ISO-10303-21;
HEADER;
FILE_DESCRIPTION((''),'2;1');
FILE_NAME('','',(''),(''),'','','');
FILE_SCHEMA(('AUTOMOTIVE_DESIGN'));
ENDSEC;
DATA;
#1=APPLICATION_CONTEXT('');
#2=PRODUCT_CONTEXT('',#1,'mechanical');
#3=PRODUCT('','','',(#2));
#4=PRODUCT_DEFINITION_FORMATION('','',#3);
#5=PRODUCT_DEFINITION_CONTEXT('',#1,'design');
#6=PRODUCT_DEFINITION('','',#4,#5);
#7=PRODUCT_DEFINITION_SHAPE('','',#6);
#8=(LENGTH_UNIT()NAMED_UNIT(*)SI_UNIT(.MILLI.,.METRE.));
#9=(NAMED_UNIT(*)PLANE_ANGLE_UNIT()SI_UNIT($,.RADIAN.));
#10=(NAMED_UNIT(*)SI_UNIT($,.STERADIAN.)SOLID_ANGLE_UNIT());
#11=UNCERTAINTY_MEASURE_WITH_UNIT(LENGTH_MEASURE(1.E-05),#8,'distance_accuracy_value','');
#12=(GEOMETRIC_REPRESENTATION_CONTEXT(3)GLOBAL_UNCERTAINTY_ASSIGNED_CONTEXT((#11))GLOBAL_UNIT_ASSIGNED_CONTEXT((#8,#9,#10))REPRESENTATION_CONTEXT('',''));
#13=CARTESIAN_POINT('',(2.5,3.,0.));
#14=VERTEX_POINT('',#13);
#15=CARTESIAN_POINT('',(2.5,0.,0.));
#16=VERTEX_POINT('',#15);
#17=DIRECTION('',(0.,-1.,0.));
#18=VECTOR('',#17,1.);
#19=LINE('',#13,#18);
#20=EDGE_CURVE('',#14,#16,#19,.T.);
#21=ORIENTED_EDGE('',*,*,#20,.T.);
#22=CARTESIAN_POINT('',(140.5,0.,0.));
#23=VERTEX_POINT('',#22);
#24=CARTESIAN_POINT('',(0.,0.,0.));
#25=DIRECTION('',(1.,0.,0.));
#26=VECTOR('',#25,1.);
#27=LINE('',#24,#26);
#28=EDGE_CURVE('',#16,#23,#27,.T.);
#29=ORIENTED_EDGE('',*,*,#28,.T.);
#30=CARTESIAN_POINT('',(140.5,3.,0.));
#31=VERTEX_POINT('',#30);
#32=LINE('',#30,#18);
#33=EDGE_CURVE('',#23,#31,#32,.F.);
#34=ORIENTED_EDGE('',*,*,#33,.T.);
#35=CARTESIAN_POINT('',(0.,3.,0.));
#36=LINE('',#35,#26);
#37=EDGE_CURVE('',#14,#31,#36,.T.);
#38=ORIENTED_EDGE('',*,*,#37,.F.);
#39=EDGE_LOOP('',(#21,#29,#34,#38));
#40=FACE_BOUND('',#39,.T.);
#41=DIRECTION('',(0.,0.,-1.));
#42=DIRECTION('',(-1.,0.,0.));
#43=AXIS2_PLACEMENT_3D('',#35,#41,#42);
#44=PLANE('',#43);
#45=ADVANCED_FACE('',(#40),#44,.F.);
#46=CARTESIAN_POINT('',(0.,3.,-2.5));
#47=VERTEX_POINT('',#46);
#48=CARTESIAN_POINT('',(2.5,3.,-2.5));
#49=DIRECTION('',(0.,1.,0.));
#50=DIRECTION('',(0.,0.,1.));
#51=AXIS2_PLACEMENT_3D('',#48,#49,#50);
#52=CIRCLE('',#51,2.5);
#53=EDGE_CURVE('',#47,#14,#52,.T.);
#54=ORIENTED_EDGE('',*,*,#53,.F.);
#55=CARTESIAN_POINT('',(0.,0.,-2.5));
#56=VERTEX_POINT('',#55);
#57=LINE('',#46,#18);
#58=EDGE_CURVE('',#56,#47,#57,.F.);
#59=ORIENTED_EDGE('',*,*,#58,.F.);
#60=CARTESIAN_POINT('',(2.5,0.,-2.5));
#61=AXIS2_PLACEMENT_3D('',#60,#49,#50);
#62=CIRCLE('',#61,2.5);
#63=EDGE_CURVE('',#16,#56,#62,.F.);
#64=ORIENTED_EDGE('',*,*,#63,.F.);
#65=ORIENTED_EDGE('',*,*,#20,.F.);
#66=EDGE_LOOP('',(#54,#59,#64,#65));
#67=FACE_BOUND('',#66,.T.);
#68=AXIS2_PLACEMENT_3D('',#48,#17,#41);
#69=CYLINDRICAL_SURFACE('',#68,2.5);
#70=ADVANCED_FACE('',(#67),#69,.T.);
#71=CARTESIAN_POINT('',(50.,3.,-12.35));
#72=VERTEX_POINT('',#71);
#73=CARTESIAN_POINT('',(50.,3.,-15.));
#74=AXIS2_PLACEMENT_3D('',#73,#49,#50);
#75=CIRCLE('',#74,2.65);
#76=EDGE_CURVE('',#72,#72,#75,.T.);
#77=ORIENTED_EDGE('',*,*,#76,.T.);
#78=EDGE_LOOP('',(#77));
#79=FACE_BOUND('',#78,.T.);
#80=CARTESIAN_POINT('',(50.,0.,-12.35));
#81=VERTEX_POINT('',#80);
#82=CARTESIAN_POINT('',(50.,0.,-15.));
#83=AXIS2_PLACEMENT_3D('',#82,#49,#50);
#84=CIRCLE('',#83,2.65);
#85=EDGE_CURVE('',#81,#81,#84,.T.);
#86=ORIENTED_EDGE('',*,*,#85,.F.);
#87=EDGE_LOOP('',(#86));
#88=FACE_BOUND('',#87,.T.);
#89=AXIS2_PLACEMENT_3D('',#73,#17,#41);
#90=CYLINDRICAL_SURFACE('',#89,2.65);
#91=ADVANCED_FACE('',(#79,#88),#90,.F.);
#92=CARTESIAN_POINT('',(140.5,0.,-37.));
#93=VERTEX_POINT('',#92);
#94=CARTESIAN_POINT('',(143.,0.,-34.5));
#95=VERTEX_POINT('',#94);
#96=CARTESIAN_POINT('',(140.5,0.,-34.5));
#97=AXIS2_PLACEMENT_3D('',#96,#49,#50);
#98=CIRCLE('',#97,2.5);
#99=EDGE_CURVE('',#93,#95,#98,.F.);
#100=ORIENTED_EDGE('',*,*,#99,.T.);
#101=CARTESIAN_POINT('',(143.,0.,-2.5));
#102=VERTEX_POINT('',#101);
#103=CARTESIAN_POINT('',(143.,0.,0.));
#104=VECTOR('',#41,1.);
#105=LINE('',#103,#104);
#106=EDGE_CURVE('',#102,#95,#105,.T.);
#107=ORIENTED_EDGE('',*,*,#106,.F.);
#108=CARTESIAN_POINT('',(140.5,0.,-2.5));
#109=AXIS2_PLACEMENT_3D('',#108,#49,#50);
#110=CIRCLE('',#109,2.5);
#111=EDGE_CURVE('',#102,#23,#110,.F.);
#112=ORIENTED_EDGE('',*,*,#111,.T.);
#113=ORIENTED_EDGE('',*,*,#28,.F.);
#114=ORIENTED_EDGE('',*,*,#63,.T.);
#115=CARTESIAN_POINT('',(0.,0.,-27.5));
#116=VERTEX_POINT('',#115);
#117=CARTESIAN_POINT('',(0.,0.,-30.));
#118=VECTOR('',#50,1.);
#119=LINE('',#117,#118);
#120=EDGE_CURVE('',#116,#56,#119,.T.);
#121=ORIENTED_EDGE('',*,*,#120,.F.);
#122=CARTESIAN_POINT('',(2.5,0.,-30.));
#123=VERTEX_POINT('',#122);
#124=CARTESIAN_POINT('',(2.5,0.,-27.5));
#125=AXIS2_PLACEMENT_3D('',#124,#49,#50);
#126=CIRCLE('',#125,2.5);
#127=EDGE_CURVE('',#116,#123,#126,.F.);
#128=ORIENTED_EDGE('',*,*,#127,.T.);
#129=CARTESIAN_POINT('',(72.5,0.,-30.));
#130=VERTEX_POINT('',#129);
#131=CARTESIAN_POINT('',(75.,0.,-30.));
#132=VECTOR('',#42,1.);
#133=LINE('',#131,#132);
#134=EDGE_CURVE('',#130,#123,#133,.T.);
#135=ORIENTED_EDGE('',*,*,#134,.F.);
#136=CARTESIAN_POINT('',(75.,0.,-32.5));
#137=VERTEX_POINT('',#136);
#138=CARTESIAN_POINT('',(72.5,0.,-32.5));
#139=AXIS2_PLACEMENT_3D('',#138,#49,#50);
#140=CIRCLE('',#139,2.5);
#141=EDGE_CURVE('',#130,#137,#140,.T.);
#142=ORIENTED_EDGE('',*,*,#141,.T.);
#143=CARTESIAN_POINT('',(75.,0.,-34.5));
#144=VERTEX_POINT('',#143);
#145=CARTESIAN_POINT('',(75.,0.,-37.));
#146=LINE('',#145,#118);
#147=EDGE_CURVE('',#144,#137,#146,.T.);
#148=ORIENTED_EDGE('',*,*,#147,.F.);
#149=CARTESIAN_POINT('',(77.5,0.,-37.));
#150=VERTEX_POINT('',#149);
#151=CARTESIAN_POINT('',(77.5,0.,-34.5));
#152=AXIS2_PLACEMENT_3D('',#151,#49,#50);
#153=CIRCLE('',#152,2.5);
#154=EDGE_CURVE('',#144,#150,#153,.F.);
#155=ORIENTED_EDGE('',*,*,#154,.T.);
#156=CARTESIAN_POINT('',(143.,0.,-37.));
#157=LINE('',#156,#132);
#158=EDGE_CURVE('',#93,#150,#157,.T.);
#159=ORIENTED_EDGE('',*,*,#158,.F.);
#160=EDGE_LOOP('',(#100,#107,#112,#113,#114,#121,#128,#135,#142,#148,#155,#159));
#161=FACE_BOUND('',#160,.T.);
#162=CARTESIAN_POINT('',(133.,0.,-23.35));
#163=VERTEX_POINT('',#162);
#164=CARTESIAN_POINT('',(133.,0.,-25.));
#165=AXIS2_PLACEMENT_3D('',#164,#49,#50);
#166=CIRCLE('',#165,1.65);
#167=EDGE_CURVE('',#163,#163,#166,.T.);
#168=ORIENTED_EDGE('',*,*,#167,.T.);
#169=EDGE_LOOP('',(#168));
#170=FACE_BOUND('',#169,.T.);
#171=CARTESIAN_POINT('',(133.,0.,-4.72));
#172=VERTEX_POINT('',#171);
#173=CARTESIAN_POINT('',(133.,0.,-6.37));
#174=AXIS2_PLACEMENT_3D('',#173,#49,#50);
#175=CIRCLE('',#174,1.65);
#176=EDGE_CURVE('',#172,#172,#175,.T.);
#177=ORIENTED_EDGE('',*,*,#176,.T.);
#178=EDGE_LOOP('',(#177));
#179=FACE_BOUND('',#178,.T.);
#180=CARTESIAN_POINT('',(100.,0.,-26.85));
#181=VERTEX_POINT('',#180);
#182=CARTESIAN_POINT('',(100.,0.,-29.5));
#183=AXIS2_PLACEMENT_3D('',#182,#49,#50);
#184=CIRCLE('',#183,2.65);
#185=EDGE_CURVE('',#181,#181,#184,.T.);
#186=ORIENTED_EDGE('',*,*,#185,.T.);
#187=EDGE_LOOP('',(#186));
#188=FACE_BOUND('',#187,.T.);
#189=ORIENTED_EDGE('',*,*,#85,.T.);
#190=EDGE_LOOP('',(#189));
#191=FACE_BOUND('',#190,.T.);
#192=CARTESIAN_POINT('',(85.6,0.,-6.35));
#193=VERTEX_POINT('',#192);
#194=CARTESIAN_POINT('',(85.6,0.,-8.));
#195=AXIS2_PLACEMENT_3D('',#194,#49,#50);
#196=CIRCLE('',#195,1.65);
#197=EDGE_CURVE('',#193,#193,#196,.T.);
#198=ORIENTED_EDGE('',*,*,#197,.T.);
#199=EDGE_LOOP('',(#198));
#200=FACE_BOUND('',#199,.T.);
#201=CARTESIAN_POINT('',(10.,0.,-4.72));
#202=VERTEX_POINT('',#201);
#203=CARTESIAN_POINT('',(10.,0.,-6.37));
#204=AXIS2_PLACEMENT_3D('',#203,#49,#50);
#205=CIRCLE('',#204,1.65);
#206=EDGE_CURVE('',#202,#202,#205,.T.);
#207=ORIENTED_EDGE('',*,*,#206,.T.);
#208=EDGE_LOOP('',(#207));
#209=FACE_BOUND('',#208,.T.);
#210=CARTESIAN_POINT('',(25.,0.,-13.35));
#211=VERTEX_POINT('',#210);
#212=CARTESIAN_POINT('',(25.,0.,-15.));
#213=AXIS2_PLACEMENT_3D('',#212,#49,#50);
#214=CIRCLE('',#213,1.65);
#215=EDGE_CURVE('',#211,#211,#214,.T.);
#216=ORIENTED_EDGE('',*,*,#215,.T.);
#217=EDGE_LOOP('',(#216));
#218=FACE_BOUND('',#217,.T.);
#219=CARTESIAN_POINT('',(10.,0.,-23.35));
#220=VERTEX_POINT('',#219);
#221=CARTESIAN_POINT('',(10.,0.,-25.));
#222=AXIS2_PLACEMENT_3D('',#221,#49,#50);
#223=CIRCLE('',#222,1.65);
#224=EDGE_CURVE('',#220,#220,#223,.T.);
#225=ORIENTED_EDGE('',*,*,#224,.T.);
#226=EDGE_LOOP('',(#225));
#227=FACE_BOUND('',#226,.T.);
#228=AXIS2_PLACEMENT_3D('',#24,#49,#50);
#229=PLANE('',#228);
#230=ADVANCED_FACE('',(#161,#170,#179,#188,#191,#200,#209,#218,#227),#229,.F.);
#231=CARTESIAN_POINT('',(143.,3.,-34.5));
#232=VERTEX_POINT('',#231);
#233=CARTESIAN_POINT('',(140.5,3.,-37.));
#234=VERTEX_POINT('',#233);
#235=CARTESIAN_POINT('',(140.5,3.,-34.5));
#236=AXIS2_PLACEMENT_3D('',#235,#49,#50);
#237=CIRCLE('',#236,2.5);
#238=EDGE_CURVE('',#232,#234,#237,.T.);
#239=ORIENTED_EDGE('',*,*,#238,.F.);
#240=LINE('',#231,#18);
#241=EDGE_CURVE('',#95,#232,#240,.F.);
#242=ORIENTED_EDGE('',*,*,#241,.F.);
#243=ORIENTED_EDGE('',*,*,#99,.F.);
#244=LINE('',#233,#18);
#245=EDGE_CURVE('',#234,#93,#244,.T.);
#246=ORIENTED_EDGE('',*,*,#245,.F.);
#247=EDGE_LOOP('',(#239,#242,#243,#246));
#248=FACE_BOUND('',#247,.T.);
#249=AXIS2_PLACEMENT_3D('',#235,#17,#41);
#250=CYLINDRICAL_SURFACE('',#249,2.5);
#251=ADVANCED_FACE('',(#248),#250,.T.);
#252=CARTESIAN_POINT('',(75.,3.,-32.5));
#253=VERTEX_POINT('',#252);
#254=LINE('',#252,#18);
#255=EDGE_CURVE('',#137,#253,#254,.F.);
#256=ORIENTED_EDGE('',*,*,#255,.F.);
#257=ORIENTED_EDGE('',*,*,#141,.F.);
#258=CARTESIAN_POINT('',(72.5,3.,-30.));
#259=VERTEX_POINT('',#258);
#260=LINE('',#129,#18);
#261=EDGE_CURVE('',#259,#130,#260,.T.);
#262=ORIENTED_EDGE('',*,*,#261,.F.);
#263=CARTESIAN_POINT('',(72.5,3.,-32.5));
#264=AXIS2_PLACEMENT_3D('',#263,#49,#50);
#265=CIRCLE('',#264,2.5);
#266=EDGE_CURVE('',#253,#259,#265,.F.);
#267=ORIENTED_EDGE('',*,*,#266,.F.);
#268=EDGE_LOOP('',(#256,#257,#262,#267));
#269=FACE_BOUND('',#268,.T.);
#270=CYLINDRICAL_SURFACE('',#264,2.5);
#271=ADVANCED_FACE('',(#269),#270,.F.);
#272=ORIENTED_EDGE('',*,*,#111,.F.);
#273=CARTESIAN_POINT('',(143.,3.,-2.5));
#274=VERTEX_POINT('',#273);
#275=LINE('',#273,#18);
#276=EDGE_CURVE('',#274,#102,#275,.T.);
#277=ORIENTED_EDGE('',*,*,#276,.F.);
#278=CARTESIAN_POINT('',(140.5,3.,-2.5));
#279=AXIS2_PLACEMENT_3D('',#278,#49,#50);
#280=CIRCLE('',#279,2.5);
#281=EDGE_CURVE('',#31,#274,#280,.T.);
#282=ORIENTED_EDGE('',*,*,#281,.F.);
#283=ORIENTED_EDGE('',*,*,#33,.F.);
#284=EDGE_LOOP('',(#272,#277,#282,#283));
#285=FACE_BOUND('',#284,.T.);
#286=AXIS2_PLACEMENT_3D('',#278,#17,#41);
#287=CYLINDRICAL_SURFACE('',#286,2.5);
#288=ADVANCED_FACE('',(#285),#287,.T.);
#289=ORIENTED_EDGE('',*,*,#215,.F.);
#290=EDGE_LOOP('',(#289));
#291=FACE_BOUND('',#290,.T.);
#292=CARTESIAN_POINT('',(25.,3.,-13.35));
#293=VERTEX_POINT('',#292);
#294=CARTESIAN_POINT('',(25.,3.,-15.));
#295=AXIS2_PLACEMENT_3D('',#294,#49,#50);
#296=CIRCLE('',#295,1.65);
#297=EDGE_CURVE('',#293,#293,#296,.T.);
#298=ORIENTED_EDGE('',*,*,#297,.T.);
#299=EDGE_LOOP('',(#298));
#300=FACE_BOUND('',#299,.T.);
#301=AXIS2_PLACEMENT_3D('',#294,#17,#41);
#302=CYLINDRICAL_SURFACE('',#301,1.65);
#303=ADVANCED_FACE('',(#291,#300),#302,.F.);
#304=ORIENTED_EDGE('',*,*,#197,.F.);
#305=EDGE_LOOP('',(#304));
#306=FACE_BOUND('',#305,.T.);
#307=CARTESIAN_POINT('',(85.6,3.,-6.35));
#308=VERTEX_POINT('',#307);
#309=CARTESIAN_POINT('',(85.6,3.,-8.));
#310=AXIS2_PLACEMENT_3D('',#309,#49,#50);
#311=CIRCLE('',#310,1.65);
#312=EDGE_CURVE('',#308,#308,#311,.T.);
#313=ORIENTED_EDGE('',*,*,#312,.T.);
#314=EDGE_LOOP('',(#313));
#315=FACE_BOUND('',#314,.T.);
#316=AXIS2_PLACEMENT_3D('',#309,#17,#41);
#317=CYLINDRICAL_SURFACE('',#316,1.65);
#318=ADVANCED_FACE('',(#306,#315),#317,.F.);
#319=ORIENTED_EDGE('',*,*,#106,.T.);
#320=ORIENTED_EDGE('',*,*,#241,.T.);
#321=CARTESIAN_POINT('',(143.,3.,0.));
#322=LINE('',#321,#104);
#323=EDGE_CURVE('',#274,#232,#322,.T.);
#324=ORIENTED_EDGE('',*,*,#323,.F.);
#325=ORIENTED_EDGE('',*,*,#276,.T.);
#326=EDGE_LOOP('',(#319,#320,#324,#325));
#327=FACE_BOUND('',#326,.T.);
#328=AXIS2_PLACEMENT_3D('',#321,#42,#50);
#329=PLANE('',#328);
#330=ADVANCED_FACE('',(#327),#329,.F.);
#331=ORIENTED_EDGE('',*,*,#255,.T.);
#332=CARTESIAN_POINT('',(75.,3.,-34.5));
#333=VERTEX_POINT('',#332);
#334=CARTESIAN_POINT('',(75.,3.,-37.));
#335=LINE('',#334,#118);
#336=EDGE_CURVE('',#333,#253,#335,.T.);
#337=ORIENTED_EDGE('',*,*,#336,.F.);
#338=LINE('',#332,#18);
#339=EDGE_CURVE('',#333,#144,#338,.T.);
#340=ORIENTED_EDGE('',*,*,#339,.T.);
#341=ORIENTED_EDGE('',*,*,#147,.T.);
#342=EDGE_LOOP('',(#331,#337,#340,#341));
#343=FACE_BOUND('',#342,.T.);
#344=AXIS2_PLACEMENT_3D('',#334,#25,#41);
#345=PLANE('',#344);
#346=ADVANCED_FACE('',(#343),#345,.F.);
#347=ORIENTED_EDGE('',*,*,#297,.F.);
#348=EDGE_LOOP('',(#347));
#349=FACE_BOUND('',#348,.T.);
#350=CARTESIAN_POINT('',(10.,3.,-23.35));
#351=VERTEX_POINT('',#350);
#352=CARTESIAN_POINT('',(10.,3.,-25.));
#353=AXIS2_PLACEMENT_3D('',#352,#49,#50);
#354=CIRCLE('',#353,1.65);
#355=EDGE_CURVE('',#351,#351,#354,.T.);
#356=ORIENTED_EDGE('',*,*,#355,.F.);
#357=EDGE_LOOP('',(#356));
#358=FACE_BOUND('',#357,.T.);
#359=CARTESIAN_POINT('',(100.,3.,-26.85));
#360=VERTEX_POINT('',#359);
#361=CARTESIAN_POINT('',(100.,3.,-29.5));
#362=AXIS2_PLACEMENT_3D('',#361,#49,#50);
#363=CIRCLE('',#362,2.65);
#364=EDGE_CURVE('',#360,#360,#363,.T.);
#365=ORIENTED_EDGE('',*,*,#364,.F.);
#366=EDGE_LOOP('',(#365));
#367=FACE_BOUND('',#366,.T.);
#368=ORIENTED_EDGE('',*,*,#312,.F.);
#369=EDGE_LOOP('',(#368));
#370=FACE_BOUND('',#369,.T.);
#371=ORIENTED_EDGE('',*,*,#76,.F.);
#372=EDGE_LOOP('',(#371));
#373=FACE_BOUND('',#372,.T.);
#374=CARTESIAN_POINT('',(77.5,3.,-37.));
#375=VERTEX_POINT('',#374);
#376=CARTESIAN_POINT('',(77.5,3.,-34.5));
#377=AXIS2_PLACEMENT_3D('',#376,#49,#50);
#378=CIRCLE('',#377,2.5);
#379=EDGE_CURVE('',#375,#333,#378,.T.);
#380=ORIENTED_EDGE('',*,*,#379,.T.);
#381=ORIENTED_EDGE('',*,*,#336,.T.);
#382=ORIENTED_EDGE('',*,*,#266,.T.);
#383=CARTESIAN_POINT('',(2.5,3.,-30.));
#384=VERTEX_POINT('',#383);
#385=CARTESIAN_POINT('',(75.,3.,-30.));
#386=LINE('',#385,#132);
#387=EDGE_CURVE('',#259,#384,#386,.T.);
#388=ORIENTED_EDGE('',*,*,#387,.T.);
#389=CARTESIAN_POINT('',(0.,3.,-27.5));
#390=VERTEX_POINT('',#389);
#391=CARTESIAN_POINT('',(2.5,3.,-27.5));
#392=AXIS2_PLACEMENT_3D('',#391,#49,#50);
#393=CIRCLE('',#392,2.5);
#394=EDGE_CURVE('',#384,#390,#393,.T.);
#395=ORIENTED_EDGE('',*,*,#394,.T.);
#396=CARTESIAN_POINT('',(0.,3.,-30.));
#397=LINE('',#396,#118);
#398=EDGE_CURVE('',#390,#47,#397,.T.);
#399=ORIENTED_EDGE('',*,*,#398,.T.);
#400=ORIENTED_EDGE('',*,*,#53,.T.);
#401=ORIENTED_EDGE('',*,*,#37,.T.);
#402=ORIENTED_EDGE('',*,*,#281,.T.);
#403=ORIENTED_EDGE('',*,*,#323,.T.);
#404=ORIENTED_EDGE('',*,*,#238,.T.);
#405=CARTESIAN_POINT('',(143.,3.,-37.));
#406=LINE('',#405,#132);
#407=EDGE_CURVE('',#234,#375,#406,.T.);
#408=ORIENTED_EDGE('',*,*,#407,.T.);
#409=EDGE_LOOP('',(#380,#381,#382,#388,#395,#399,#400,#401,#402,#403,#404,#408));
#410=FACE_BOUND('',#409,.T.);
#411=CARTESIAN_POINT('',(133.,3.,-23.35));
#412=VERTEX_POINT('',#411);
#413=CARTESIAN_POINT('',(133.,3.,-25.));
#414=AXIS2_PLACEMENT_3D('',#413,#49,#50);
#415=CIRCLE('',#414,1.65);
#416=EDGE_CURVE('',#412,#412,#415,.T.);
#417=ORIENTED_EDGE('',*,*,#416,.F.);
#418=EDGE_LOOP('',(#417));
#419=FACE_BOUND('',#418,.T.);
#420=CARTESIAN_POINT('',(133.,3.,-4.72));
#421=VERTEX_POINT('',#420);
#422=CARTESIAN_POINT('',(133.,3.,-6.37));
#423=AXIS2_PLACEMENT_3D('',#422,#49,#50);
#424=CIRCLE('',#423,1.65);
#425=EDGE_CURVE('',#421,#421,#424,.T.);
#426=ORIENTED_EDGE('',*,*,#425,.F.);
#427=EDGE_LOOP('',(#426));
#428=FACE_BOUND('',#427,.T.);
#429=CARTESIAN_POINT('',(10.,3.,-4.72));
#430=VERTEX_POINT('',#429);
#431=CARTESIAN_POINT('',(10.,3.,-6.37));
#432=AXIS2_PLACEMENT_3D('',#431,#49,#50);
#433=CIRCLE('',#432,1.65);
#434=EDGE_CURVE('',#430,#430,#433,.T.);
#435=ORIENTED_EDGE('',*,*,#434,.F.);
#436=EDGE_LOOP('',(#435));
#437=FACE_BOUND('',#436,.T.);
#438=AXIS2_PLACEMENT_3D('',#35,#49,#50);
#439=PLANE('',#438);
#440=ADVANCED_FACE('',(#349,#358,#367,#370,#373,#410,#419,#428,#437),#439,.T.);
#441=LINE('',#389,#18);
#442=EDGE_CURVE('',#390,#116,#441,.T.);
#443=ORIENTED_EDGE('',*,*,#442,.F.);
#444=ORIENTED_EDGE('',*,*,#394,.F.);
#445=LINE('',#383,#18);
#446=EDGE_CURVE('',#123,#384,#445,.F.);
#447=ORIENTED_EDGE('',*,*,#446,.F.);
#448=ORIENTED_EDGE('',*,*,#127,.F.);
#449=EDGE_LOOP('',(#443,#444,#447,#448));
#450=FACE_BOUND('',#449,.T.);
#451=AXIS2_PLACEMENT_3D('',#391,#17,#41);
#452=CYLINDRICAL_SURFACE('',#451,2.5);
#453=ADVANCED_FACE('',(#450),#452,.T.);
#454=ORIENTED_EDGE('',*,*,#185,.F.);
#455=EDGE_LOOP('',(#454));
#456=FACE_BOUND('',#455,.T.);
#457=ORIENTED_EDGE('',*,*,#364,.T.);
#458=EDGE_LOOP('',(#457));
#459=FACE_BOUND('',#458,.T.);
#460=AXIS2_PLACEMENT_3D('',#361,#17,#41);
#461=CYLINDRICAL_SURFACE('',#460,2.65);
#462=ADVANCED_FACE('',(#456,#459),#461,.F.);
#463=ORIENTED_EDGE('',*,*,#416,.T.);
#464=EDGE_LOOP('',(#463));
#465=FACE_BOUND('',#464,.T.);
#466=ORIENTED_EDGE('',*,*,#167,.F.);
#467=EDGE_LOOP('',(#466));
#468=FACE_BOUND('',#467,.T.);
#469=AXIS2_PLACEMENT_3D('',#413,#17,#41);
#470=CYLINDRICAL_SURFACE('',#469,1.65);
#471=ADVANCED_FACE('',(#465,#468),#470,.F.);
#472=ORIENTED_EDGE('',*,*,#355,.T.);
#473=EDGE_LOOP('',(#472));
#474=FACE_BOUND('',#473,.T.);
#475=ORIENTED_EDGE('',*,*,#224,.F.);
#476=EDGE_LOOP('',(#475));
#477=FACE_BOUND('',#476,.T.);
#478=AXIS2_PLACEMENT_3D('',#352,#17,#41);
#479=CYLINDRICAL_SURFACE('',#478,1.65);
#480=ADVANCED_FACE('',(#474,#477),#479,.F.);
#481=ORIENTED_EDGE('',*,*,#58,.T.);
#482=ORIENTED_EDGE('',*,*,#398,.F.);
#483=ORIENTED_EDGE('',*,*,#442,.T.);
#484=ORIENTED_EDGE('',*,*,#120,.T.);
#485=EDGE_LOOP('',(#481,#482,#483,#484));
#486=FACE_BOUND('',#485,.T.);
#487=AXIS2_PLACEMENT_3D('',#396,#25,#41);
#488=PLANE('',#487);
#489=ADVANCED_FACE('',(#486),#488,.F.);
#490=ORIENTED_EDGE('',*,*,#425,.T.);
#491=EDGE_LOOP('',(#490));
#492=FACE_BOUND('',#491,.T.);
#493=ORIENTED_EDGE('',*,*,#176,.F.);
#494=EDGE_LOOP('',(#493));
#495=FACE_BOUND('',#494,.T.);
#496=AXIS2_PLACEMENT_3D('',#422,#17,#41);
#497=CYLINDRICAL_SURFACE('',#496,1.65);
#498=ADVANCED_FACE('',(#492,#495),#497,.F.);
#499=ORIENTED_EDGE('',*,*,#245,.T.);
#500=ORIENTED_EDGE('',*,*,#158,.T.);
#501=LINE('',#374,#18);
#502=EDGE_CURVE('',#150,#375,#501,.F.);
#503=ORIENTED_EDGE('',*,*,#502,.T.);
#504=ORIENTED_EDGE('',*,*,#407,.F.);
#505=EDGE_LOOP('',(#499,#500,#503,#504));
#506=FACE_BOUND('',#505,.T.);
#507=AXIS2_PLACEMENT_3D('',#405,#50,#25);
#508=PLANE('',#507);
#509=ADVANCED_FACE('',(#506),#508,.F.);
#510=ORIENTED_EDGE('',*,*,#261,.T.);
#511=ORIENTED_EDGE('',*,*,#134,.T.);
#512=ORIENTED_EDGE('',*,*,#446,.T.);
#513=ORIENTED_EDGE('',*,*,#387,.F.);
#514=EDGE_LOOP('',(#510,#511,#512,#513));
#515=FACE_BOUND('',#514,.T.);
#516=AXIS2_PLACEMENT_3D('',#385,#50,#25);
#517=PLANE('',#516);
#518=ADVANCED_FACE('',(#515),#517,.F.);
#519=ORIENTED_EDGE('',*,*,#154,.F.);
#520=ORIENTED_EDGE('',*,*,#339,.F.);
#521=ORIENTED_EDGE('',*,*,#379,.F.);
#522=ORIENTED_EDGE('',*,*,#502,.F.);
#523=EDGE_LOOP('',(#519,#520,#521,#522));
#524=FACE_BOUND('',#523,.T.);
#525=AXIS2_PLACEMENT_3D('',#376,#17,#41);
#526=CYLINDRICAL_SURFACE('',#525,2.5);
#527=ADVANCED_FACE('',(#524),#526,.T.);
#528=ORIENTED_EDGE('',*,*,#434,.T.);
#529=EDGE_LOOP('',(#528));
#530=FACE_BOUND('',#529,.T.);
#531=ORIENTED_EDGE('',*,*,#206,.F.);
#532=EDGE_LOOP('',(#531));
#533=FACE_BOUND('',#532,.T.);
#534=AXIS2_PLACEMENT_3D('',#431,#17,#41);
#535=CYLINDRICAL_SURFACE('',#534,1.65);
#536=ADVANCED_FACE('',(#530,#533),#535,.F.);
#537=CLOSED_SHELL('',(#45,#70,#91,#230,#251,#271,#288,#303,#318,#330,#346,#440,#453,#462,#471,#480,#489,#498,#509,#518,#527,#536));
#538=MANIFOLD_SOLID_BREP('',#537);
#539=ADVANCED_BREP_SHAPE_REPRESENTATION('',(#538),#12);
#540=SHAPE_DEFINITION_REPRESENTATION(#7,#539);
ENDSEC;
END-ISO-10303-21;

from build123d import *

# Parameters (mm, degrees)
SKETCH_1_R      = 1.65
SKETCH_1_R_2    = 2.65
EXTRUDE_1_DEPTH = 3
FILLET_1_R      = 2.5


with BuildPart() as part:
    # 草图1 → 凸台-拉伸1 (new body)
    with BuildSketch(Plane(origin=(0, 0, 0), x_dir=(1, 0, 0), z_dir=(0, 1, 0))):
        Polygon((0, 0), (143, 0), (143, 37), (75, 37), (75, 30), (0, 30), align=None)
        with Locations(Location((10, 25, 0), (0, 0, 270))):
            Circle(SKETCH_1_R, mode=Mode.SUBTRACT)
        with Locations(Location((10, 6.37, 0), (0, 0, 270))):
            Circle(SKETCH_1_R, mode=Mode.SUBTRACT)
        with Locations(Location((50, 15, 0), (0, 0, 270))):
            Circle(SKETCH_1_R_2, mode=Mode.SUBTRACT)
        with Locations(Location((25, 15, 0), (0, 0, 270))):
            Circle(SKETCH_1_R, mode=Mode.SUBTRACT)
        with Locations(Location((100, 29.5, 0), (0, 0, 270))):
            Circle(SKETCH_1_R_2, mode=Mode.SUBTRACT)
        with Locations(Location((85.6, 8, 0), (0, 0, 270))):
            Circle(SKETCH_1_R, mode=Mode.SUBTRACT)
        with Locations(Location((133, 25, 0), (0, 0, 270))):
            Circle(SKETCH_1_R, mode=Mode.SUBTRACT)
        with Locations(Location((133, 6.37, 0), (0, 0, 270))):
            Circle(SKETCH_1_R, mode=Mode.SUBTRACT)
    extrude(amount=EXTRUDE_1_DEPTH)

    # 圆角1
    fillet_1_edges = [part.edges().sort_by_distance(p)[0] for p in [
        (0, 1.5, -30),
        (75, 1.5, -30),
        (75, 1.5, -37),
        (143, 1.5, -37),
        (143, 1.5, 0),
        (0, 1.5, 0),
    ]]
    fillet(fillet_1_edges, radius=FILLET_1_R)


solid = part.part
